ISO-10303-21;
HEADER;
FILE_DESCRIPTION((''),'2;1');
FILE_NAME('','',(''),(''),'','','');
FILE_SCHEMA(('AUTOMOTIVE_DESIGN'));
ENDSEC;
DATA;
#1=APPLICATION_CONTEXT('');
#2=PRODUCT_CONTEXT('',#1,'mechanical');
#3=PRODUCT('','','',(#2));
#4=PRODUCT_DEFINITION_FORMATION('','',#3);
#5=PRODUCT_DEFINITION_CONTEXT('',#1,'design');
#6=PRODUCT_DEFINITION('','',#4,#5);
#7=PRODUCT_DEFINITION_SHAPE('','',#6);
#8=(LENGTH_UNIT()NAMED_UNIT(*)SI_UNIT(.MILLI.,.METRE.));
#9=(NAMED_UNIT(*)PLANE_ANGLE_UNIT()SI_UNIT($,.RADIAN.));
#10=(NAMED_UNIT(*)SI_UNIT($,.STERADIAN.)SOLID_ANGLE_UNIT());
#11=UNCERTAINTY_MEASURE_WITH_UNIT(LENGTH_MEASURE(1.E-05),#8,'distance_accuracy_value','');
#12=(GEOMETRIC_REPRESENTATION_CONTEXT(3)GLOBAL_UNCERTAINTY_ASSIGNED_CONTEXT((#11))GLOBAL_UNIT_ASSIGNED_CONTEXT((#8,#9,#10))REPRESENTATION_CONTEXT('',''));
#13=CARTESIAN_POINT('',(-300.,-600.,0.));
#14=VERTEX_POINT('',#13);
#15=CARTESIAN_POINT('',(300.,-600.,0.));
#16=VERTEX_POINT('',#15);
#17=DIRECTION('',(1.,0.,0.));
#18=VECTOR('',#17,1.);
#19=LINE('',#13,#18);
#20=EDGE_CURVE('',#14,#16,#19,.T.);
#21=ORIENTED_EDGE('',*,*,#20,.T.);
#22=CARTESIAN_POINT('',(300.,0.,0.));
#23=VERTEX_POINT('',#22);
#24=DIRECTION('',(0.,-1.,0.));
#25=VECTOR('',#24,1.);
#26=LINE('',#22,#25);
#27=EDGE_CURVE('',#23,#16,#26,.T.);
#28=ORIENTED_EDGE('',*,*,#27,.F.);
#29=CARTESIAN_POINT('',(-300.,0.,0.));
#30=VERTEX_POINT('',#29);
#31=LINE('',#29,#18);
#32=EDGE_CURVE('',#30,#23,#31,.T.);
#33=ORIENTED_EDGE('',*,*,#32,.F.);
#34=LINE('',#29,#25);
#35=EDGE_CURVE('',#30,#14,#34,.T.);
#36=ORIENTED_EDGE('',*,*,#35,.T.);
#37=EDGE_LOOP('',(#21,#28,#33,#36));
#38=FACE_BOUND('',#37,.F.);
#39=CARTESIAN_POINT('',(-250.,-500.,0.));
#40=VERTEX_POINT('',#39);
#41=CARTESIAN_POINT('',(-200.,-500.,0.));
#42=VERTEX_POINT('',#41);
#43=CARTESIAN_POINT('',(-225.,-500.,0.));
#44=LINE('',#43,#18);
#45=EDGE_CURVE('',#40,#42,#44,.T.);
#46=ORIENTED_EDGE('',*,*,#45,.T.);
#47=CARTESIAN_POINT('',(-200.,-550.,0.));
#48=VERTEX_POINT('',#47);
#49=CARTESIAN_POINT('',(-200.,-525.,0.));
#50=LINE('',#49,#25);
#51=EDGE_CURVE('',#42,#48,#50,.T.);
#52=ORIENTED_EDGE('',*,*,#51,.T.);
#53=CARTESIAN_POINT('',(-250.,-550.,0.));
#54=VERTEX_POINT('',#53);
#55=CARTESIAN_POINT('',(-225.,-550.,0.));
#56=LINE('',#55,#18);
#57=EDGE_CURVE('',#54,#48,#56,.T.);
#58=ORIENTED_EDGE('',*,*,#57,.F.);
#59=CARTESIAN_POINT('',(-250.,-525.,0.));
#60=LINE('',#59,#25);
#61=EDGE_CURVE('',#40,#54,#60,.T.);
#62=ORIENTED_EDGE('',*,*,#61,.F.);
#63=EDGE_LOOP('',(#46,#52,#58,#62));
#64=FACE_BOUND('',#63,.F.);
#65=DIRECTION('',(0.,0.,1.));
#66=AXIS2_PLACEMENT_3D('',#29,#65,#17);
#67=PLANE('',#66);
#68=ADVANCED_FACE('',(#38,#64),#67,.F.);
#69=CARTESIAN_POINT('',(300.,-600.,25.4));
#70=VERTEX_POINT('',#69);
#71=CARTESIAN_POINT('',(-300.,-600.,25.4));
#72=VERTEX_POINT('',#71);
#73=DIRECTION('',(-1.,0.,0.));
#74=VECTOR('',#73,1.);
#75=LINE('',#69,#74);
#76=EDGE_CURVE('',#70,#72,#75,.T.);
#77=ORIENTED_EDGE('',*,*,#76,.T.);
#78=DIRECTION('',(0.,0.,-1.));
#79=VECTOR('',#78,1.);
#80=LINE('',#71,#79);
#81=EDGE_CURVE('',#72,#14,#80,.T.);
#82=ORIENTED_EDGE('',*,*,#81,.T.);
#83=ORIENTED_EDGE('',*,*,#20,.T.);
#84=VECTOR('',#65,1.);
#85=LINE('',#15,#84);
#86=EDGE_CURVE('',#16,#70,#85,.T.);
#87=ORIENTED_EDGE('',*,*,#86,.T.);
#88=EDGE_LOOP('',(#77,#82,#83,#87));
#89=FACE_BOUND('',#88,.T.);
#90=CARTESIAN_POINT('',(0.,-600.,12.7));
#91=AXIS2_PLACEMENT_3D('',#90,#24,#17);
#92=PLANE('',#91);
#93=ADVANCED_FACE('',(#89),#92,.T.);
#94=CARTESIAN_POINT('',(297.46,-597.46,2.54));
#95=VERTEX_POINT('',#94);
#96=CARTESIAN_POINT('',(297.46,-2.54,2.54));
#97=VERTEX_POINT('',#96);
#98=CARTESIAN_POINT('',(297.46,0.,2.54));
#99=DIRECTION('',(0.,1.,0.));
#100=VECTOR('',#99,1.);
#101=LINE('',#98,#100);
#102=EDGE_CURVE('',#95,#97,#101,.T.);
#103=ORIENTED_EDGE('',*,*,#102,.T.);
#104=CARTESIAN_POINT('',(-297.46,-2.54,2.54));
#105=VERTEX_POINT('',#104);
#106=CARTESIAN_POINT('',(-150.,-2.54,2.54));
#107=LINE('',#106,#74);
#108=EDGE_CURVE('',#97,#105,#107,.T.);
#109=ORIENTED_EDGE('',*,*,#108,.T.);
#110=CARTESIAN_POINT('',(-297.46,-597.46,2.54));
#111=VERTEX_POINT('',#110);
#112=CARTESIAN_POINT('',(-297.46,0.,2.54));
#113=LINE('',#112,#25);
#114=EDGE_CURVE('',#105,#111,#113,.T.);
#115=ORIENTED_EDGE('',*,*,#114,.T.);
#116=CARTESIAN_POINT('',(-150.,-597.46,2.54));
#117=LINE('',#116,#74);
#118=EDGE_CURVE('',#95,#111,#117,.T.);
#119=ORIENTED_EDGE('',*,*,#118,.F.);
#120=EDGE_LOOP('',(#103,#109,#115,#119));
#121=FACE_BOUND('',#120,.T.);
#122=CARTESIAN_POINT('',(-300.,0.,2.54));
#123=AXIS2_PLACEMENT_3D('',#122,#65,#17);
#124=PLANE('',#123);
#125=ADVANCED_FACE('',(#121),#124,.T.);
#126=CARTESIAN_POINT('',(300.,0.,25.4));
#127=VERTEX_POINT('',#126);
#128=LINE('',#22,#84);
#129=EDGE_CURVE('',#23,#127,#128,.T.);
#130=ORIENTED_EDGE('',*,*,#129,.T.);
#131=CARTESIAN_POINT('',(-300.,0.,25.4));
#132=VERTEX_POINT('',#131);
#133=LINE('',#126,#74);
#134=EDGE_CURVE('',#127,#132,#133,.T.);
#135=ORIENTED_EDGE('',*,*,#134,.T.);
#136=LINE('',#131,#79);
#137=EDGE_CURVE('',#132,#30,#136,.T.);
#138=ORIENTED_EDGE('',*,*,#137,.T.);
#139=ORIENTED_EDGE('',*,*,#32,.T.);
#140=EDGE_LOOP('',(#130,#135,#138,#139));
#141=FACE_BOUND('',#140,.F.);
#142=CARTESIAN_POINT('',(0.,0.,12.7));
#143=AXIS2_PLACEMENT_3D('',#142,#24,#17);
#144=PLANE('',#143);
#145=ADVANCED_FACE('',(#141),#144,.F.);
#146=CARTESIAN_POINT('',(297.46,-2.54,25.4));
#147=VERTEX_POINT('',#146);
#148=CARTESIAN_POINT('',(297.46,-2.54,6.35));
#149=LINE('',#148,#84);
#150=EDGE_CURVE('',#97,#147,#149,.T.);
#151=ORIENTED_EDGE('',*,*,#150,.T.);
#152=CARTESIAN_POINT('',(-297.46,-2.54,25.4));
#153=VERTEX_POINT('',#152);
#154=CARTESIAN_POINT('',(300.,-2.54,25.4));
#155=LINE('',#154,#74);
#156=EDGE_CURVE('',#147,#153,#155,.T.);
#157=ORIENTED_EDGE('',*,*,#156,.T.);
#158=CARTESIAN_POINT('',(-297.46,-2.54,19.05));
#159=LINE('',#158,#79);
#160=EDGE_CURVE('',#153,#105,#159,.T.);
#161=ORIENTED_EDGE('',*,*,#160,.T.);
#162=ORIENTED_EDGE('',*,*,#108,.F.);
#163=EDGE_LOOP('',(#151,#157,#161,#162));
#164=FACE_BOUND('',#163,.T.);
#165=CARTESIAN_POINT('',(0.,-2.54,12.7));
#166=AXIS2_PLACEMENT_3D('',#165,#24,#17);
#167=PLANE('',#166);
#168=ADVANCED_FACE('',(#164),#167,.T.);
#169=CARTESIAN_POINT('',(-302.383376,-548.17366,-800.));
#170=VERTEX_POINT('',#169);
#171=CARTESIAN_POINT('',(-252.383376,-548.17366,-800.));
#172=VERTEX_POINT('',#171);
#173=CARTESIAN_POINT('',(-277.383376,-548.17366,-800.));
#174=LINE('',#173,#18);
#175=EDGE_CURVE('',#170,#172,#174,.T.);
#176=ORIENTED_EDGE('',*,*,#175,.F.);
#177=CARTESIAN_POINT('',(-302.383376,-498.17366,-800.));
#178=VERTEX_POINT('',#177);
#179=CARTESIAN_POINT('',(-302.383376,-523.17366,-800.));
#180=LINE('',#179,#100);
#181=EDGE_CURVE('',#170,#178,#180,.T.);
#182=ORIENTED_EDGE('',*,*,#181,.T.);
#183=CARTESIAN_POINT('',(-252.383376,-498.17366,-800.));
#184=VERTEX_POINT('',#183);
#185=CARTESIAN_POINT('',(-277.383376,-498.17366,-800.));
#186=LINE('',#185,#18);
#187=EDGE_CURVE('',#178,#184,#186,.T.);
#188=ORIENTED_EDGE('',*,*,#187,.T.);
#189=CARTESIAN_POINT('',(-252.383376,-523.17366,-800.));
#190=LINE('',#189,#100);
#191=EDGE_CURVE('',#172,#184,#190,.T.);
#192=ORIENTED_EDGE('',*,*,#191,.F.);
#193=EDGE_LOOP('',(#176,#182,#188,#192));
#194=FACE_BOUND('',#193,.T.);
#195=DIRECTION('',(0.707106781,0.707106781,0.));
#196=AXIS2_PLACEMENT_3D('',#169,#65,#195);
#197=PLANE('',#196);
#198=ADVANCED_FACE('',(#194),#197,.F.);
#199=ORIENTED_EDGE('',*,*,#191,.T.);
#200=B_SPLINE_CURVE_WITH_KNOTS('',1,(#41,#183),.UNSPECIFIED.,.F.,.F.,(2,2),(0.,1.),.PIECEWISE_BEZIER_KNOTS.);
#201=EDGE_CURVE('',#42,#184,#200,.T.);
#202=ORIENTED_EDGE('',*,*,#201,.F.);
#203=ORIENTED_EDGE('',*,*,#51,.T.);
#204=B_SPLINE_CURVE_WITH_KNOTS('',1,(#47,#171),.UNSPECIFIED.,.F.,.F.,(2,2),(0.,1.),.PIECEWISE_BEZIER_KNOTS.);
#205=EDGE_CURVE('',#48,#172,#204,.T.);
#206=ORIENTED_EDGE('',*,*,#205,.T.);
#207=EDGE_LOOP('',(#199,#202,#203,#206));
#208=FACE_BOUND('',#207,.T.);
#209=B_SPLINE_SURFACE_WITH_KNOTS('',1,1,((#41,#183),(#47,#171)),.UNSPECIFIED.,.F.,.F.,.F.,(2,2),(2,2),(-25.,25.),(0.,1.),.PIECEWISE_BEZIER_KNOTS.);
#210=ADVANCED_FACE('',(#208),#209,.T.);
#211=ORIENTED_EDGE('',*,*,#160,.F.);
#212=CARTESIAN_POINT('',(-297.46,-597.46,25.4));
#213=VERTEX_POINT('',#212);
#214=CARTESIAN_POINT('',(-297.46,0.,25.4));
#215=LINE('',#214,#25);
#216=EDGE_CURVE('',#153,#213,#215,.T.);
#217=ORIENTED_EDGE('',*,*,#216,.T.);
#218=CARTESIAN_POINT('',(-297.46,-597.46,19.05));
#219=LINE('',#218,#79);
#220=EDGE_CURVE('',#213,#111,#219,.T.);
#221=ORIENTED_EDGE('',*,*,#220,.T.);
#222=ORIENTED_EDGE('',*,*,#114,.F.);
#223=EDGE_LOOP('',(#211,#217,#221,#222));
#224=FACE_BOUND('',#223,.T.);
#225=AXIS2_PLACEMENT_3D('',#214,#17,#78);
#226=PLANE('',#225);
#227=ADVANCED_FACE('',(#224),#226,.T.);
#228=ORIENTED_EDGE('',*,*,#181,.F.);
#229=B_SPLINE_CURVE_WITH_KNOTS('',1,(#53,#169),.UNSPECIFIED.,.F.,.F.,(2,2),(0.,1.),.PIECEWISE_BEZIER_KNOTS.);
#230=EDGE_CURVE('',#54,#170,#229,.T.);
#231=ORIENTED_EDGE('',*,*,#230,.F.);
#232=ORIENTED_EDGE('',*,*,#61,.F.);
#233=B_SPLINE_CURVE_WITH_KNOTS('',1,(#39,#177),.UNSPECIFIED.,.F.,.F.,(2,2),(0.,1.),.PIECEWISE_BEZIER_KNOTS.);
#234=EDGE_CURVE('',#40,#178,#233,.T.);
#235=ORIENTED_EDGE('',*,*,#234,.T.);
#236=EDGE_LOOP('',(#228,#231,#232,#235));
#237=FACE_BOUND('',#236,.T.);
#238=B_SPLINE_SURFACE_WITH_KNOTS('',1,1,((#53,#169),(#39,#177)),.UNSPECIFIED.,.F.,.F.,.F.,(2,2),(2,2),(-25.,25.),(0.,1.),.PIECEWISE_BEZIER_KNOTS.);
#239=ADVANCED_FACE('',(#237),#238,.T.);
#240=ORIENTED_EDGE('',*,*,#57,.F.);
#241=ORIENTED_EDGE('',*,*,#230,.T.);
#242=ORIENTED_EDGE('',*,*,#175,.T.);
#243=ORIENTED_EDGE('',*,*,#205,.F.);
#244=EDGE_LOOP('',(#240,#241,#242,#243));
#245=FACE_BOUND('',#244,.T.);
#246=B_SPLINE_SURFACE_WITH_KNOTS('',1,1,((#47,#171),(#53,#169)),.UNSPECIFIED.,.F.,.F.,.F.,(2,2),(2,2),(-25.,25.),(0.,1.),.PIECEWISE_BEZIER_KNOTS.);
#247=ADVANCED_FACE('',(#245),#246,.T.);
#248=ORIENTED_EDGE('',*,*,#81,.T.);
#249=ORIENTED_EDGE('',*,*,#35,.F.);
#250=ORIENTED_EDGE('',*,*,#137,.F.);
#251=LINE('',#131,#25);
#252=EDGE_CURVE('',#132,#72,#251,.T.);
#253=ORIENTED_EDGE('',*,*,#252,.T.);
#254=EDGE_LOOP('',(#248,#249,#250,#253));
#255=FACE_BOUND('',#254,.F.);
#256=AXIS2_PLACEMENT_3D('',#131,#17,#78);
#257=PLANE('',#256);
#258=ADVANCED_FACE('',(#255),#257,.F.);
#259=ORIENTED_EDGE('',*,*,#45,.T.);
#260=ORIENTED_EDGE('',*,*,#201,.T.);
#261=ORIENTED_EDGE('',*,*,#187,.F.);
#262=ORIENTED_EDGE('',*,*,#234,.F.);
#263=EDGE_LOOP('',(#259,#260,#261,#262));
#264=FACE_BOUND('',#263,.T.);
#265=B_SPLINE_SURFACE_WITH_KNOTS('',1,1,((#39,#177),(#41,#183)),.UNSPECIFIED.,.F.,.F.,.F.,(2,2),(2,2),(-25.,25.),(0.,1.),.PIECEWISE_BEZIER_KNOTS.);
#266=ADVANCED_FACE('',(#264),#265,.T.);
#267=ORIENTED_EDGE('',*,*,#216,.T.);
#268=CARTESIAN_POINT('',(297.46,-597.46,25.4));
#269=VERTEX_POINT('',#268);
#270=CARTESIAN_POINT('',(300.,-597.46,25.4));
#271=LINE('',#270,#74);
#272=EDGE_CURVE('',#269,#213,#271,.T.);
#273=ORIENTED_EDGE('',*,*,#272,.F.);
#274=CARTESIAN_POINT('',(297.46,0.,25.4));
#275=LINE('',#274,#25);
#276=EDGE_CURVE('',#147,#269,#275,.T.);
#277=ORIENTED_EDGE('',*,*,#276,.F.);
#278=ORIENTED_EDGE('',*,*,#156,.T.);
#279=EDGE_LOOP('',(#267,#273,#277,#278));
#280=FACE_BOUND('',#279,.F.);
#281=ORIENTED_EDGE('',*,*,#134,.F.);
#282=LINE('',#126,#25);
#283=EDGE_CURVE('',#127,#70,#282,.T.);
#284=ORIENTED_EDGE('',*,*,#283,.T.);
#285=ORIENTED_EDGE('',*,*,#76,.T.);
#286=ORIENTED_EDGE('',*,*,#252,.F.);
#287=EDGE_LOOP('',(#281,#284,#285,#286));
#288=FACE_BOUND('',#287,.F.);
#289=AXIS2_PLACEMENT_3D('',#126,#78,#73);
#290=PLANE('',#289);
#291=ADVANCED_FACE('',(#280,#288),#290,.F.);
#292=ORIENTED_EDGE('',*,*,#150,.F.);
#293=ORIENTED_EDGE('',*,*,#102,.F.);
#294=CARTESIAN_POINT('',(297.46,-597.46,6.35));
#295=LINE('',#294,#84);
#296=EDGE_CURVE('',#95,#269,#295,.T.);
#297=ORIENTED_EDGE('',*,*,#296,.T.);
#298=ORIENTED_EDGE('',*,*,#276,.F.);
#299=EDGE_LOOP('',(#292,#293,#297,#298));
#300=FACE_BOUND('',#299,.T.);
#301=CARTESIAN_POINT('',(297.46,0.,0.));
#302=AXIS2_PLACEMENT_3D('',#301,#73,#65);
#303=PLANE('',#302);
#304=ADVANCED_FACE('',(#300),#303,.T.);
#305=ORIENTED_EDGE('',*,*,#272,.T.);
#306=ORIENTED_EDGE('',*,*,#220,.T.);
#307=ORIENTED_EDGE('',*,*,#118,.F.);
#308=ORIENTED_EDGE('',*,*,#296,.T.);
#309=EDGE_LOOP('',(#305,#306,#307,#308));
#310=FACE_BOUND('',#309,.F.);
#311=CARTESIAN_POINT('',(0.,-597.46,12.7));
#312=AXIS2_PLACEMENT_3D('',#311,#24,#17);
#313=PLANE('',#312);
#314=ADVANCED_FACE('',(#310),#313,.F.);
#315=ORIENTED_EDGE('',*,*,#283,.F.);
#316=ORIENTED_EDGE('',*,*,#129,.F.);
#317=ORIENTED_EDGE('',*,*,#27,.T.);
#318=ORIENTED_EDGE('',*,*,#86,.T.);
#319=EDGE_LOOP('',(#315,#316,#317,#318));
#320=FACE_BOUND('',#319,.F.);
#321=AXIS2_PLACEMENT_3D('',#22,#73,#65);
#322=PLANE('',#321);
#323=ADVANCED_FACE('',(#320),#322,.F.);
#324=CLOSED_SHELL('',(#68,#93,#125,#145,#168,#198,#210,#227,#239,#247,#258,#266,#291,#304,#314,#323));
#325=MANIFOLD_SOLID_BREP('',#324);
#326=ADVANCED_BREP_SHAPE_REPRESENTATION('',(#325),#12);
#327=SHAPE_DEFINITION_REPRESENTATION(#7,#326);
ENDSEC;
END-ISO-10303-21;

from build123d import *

# Parameters (mm, degrees)
F1_DEPTH = 600
F2_T     = -2.54
F3_W     = 50
F3_H     = 50
F5_W     = 50
F5_H     = 50


with BuildPart() as f1:
    # F0 (on Front) → F1 (new body)
    with BuildSketch(Plane.XZ):
        Polygon((300, 25.4), (-300, 25.4), (-300, 0), (-250, 0), (250, 0), (300, 0), align=None)
    extrude(amount=F1_DEPTH)

    # F2
    f2_openings = [f1.faces().sort_by_distance(p)[0] for p in [
        (0, -300, 25.4),
    ]]
    offset(amount=F2_T, openings=f2_openings)

    # F3 (on face) → F6 section 0
    with BuildSketch(Plane(origin=(0, 0, 0), x_dir=(1, 0, 0), z_dir=(0, 0, -1))):
        with Locations((-225, 525)):
            Rectangle(F3_W, F3_H)
    # F5 (on offset) → F6 section 1
    with BuildSketch(Plane.XY.offset(-800)):
        with Locations((-277.383376, -523.17366)):
            Rectangle(F5_W, F5_H)
    loft()


solid = f1.part
